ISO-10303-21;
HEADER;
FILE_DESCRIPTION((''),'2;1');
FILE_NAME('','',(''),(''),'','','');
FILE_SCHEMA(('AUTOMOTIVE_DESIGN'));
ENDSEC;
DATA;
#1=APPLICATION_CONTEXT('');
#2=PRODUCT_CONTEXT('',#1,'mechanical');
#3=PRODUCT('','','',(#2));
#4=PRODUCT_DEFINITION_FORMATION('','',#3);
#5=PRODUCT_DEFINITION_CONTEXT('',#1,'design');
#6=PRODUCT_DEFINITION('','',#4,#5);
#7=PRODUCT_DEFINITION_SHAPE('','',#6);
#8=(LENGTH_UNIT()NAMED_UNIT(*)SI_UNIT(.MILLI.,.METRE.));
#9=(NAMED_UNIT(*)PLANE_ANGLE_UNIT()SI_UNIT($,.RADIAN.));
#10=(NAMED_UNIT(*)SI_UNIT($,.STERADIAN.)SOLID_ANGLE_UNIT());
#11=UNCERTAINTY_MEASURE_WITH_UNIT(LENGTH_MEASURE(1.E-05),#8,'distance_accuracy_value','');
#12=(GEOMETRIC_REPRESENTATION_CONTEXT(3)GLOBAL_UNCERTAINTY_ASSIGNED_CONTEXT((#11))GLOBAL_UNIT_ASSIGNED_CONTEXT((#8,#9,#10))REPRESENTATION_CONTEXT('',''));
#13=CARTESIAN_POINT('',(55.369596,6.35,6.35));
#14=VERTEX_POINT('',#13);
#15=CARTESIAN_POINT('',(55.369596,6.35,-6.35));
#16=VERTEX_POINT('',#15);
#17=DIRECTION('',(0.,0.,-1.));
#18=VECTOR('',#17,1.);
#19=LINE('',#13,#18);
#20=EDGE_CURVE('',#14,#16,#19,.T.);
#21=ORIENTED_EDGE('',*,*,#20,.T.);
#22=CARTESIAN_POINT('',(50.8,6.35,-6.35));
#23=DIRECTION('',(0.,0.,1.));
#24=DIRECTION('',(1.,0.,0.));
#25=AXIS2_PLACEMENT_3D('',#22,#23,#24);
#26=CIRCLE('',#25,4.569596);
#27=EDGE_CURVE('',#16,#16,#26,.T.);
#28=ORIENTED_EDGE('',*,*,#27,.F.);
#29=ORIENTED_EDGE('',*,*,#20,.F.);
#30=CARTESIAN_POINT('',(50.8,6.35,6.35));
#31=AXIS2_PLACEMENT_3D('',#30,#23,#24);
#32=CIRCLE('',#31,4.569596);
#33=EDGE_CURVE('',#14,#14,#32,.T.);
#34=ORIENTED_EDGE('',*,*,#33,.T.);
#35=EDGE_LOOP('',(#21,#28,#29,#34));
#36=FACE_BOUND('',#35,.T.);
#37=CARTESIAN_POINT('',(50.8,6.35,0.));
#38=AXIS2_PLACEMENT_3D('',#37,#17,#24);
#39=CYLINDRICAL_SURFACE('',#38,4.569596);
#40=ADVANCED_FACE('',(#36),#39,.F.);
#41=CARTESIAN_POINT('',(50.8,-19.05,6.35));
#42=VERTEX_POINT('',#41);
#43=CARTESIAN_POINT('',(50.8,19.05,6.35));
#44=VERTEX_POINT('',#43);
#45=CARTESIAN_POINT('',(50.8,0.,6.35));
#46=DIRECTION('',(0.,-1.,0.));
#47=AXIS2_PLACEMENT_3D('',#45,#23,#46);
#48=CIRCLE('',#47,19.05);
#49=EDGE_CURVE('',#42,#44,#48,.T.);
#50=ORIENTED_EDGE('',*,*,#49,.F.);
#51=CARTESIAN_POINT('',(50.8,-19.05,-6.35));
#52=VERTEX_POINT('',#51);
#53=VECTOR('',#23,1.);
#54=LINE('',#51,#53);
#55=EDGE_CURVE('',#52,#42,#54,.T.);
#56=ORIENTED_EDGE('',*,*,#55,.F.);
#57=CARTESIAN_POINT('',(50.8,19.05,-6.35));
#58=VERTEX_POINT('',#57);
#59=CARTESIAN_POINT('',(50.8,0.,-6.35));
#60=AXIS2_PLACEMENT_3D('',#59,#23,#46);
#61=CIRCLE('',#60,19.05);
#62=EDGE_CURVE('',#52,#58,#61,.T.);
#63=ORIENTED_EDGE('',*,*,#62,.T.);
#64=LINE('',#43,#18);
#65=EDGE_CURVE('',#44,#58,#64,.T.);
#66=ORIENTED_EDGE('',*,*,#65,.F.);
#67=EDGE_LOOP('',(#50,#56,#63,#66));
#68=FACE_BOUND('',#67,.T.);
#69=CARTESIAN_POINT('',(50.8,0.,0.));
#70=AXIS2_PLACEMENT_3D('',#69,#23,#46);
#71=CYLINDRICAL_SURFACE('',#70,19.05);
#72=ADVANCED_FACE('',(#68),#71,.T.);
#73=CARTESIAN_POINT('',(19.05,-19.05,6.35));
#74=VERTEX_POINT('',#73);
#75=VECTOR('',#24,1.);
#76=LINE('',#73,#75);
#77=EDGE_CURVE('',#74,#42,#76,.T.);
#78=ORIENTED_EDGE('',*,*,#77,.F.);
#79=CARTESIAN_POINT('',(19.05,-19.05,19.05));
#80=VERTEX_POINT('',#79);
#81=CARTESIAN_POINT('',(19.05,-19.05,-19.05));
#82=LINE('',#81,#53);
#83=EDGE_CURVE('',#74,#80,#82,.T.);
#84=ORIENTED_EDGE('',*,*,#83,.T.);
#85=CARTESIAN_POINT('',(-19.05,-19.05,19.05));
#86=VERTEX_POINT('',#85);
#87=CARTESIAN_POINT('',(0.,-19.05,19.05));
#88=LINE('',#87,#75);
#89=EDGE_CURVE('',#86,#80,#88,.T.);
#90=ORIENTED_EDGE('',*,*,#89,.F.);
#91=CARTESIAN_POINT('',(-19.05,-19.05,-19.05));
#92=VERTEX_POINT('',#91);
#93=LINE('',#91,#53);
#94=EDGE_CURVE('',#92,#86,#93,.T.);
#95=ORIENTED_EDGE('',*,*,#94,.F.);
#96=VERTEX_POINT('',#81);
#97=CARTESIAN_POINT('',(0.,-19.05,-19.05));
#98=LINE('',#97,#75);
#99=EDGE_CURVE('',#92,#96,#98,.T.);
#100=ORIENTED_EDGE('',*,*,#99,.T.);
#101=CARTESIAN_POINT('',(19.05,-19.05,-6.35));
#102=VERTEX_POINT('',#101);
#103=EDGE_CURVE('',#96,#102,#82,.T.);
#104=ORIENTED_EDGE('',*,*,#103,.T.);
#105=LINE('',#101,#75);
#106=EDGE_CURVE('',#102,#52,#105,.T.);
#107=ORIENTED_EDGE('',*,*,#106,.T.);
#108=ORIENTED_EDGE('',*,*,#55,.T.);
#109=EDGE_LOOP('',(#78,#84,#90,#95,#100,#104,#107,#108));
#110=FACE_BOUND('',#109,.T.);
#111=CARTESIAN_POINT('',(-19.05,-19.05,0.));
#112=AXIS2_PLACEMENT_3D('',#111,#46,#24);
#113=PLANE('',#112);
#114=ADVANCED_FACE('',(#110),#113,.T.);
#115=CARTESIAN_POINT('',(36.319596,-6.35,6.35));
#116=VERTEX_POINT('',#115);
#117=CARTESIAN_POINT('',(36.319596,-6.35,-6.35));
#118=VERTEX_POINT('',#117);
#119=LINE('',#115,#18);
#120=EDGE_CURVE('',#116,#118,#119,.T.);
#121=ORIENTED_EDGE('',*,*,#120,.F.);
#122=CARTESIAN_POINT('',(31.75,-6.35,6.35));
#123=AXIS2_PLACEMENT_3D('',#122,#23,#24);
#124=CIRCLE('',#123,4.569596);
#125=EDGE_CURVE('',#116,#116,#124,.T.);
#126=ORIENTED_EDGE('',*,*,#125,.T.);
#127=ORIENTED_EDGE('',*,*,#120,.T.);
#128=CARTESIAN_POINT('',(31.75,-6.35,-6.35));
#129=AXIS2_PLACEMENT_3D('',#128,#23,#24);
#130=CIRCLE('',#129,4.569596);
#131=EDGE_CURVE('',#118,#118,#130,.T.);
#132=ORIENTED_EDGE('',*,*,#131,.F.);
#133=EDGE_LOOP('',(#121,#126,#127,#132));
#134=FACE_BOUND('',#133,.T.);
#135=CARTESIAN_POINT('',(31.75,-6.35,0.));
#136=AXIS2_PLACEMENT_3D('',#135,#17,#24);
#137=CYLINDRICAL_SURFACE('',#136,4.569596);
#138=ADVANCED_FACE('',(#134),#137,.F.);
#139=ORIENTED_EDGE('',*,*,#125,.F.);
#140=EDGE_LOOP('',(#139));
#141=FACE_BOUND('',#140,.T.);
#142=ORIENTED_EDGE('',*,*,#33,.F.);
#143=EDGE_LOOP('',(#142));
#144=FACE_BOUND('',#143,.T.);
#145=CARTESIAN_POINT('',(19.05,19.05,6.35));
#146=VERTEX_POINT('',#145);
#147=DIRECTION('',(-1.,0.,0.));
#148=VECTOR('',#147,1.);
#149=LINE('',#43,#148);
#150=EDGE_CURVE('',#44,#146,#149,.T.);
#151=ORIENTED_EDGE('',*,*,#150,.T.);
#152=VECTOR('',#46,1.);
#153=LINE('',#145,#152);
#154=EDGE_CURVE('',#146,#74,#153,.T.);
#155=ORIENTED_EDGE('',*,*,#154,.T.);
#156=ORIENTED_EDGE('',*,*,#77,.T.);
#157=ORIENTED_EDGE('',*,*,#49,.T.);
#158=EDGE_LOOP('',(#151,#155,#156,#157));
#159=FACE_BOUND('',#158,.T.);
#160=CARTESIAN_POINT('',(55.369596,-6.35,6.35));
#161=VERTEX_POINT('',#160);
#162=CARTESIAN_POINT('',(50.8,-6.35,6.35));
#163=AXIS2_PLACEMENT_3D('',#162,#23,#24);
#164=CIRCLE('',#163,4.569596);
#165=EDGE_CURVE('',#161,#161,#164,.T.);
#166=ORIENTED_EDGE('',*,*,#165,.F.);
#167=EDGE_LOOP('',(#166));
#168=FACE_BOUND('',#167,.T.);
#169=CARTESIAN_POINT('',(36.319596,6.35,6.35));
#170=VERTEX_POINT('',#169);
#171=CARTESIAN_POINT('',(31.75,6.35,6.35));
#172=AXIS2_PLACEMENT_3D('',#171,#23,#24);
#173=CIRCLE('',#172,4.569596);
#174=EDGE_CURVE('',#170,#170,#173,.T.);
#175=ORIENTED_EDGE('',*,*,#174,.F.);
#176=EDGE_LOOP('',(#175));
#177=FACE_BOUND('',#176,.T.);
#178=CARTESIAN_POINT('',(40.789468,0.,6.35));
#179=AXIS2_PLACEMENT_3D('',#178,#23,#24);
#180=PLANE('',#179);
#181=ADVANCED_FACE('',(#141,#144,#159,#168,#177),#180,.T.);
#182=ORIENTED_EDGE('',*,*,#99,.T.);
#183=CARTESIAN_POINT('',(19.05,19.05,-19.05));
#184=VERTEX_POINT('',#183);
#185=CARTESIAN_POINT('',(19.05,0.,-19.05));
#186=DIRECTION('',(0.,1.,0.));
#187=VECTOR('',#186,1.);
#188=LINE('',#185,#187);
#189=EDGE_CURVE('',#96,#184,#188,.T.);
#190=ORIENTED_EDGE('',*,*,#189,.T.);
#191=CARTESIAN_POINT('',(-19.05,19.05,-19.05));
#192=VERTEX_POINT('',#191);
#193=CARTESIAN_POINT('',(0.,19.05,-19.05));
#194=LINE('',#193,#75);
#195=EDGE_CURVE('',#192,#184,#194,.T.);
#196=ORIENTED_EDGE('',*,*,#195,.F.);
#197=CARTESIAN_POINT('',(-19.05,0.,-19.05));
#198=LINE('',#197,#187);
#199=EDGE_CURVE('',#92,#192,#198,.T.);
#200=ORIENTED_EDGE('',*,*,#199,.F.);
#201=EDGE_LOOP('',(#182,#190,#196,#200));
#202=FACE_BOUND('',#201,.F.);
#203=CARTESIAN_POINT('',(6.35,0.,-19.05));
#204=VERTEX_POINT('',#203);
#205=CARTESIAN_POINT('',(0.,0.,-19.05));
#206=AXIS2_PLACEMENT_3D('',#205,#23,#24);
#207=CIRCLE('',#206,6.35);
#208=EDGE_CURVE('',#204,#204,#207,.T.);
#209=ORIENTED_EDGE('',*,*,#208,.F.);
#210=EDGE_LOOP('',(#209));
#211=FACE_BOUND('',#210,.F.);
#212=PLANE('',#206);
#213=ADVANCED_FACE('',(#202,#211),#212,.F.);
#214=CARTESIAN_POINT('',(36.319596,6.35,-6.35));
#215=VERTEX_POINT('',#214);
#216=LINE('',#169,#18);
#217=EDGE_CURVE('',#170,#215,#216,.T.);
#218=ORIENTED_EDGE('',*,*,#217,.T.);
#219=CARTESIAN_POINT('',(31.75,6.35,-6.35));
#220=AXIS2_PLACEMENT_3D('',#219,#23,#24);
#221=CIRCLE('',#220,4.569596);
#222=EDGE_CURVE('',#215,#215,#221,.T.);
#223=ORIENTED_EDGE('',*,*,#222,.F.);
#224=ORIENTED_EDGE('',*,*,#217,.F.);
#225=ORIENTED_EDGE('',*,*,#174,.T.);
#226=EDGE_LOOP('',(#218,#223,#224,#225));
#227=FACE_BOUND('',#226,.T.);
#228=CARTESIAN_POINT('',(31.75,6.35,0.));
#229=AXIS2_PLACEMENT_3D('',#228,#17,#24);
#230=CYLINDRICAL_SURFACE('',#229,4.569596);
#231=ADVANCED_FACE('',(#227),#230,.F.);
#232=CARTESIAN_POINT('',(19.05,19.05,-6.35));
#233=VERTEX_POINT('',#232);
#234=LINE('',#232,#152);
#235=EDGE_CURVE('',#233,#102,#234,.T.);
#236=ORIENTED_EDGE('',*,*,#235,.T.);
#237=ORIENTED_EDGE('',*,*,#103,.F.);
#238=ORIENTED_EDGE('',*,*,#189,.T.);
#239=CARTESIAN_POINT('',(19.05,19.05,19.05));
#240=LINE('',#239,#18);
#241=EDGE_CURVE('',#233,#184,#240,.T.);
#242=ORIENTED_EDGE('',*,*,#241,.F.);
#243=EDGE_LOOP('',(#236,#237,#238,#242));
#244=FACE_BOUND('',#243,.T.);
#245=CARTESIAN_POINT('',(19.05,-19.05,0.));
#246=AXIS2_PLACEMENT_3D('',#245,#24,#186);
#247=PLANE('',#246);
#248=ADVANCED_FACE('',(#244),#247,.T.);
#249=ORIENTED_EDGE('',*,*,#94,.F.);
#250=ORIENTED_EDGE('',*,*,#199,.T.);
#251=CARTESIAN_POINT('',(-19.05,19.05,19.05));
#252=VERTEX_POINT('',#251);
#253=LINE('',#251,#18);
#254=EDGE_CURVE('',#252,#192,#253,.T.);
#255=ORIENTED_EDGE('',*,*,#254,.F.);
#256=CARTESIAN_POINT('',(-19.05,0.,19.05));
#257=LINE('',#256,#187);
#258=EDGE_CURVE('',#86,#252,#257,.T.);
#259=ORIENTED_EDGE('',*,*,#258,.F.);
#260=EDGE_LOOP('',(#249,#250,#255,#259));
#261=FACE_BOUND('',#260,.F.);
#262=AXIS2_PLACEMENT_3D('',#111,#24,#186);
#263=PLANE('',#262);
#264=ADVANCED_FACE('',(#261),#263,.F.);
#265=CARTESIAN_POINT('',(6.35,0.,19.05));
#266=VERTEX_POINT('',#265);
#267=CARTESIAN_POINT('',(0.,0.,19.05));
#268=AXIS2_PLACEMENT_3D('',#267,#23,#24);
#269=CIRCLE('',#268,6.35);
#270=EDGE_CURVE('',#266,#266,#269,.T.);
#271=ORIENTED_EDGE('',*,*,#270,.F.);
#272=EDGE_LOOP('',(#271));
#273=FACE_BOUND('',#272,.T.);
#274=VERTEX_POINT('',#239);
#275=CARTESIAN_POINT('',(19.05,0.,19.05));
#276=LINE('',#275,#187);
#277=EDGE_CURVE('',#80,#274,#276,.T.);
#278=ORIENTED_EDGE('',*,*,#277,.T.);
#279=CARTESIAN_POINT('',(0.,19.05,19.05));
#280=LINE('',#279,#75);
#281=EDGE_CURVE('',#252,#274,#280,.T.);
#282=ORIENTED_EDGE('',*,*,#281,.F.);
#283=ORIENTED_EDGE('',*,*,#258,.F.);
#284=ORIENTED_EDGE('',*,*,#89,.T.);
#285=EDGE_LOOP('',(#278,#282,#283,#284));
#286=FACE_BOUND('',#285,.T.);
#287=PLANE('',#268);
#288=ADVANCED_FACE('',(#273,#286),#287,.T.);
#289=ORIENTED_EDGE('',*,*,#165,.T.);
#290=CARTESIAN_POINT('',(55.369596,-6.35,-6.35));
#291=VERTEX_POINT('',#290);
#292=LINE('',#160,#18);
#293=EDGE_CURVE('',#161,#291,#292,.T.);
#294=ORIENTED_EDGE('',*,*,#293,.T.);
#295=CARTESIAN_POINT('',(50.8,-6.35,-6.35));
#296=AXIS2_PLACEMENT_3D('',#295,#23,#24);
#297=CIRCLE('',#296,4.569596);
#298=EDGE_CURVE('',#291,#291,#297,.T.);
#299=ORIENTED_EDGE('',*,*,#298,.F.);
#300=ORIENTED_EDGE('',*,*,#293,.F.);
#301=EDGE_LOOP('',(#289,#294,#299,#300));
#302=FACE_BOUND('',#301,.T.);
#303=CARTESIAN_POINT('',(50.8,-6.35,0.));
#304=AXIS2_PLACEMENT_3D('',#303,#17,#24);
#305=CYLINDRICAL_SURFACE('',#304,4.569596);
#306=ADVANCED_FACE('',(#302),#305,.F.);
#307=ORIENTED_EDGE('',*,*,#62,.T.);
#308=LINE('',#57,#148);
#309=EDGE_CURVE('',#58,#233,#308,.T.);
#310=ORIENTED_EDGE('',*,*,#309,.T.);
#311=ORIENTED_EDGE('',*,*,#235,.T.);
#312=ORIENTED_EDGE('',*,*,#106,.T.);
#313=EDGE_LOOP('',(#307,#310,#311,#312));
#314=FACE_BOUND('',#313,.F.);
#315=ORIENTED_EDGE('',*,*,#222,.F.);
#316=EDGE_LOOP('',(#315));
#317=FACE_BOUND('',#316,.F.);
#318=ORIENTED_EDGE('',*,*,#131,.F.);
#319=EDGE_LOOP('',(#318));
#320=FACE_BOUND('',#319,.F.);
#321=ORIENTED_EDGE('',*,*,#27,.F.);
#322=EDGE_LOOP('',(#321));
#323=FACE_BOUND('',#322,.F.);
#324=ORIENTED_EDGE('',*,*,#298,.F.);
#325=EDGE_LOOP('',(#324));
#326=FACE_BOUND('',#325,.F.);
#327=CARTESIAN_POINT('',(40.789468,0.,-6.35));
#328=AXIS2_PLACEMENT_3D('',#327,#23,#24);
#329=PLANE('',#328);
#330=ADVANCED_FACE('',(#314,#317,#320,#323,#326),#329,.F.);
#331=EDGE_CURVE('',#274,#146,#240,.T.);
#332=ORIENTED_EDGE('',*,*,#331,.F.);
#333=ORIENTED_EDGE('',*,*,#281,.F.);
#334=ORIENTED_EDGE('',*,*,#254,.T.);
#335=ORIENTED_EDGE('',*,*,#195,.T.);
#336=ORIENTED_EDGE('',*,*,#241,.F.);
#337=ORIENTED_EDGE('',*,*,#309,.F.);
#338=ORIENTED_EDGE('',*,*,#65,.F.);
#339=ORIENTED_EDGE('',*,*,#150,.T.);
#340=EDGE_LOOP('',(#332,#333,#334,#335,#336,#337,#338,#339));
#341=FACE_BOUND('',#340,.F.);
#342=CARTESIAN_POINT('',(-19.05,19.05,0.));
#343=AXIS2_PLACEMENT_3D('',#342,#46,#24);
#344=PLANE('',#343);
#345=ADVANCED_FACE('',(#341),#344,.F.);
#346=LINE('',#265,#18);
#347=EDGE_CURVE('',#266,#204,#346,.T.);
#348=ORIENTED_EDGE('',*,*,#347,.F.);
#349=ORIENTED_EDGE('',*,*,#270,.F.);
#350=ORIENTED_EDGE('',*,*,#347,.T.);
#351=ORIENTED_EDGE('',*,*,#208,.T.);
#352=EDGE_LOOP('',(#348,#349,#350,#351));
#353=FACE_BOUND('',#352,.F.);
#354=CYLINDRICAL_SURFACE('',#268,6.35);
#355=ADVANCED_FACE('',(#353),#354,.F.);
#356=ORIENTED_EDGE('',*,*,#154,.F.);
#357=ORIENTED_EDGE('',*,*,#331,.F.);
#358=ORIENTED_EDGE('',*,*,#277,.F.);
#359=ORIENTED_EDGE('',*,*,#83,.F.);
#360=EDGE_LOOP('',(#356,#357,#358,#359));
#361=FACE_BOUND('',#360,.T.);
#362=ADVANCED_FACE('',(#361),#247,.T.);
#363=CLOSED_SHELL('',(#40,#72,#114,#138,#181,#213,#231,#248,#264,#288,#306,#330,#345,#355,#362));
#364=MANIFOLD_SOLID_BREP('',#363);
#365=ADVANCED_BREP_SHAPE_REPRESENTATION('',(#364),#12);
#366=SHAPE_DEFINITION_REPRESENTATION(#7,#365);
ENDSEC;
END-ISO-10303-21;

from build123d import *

# Parameters (mm, degrees)
F0_W     = 38.1
F0_H     = 38.1
F1_DEPTH = 19.05
F0_R     = 4.569596
F2_DEPTH = 6.35
F3_R     = 6.35
F4_DEPTH = 38.101


with BuildPart() as f1:
    # F0 (on Top) → F1 (new body, symmetric)
    with BuildSketch(Plane.XY):
        Rectangle(F0_W, F0_H)
    extrude(amount=F1_DEPTH, both=True)

    # F0 (on Top) → F2 (join, symmetric)
    with BuildSketch(Plane.XY):
        with BuildLine():
            Line((19.05, 19.05), (19.05, -19.05))
            Line((19.05, -19.05), (50.8, -19.05))
            ThreePointArc((50.8, -19.05), (69.85, 0), (50.8, 19.05))
            Line((50.8, 19.05), (19.05, 19.05))
        make_face()
        with Locations((31.75, -6.35)):
            Circle(F0_R, mode=Mode.SUBTRACT)
        with Locations((50.8, -6.35)):
            Circle(F0_R, mode=Mode.SUBTRACT)
        with Locations((31.75, 6.35)):
            Circle(F0_R, mode=Mode.SUBTRACT)
        with Locations((50.8, 6.35)):
            Circle(F0_R, mode=Mode.SUBTRACT)
    extrude(amount=F2_DEPTH, both=True)

    # F3 (on face) → F4 (cut, through all)
    with BuildSketch(Plane.XY.offset(19.05)):
        Circle(F3_R)
    extrude(amount=-F4_DEPTH, mode=Mode.SUBTRACT)


solid = f1.part
